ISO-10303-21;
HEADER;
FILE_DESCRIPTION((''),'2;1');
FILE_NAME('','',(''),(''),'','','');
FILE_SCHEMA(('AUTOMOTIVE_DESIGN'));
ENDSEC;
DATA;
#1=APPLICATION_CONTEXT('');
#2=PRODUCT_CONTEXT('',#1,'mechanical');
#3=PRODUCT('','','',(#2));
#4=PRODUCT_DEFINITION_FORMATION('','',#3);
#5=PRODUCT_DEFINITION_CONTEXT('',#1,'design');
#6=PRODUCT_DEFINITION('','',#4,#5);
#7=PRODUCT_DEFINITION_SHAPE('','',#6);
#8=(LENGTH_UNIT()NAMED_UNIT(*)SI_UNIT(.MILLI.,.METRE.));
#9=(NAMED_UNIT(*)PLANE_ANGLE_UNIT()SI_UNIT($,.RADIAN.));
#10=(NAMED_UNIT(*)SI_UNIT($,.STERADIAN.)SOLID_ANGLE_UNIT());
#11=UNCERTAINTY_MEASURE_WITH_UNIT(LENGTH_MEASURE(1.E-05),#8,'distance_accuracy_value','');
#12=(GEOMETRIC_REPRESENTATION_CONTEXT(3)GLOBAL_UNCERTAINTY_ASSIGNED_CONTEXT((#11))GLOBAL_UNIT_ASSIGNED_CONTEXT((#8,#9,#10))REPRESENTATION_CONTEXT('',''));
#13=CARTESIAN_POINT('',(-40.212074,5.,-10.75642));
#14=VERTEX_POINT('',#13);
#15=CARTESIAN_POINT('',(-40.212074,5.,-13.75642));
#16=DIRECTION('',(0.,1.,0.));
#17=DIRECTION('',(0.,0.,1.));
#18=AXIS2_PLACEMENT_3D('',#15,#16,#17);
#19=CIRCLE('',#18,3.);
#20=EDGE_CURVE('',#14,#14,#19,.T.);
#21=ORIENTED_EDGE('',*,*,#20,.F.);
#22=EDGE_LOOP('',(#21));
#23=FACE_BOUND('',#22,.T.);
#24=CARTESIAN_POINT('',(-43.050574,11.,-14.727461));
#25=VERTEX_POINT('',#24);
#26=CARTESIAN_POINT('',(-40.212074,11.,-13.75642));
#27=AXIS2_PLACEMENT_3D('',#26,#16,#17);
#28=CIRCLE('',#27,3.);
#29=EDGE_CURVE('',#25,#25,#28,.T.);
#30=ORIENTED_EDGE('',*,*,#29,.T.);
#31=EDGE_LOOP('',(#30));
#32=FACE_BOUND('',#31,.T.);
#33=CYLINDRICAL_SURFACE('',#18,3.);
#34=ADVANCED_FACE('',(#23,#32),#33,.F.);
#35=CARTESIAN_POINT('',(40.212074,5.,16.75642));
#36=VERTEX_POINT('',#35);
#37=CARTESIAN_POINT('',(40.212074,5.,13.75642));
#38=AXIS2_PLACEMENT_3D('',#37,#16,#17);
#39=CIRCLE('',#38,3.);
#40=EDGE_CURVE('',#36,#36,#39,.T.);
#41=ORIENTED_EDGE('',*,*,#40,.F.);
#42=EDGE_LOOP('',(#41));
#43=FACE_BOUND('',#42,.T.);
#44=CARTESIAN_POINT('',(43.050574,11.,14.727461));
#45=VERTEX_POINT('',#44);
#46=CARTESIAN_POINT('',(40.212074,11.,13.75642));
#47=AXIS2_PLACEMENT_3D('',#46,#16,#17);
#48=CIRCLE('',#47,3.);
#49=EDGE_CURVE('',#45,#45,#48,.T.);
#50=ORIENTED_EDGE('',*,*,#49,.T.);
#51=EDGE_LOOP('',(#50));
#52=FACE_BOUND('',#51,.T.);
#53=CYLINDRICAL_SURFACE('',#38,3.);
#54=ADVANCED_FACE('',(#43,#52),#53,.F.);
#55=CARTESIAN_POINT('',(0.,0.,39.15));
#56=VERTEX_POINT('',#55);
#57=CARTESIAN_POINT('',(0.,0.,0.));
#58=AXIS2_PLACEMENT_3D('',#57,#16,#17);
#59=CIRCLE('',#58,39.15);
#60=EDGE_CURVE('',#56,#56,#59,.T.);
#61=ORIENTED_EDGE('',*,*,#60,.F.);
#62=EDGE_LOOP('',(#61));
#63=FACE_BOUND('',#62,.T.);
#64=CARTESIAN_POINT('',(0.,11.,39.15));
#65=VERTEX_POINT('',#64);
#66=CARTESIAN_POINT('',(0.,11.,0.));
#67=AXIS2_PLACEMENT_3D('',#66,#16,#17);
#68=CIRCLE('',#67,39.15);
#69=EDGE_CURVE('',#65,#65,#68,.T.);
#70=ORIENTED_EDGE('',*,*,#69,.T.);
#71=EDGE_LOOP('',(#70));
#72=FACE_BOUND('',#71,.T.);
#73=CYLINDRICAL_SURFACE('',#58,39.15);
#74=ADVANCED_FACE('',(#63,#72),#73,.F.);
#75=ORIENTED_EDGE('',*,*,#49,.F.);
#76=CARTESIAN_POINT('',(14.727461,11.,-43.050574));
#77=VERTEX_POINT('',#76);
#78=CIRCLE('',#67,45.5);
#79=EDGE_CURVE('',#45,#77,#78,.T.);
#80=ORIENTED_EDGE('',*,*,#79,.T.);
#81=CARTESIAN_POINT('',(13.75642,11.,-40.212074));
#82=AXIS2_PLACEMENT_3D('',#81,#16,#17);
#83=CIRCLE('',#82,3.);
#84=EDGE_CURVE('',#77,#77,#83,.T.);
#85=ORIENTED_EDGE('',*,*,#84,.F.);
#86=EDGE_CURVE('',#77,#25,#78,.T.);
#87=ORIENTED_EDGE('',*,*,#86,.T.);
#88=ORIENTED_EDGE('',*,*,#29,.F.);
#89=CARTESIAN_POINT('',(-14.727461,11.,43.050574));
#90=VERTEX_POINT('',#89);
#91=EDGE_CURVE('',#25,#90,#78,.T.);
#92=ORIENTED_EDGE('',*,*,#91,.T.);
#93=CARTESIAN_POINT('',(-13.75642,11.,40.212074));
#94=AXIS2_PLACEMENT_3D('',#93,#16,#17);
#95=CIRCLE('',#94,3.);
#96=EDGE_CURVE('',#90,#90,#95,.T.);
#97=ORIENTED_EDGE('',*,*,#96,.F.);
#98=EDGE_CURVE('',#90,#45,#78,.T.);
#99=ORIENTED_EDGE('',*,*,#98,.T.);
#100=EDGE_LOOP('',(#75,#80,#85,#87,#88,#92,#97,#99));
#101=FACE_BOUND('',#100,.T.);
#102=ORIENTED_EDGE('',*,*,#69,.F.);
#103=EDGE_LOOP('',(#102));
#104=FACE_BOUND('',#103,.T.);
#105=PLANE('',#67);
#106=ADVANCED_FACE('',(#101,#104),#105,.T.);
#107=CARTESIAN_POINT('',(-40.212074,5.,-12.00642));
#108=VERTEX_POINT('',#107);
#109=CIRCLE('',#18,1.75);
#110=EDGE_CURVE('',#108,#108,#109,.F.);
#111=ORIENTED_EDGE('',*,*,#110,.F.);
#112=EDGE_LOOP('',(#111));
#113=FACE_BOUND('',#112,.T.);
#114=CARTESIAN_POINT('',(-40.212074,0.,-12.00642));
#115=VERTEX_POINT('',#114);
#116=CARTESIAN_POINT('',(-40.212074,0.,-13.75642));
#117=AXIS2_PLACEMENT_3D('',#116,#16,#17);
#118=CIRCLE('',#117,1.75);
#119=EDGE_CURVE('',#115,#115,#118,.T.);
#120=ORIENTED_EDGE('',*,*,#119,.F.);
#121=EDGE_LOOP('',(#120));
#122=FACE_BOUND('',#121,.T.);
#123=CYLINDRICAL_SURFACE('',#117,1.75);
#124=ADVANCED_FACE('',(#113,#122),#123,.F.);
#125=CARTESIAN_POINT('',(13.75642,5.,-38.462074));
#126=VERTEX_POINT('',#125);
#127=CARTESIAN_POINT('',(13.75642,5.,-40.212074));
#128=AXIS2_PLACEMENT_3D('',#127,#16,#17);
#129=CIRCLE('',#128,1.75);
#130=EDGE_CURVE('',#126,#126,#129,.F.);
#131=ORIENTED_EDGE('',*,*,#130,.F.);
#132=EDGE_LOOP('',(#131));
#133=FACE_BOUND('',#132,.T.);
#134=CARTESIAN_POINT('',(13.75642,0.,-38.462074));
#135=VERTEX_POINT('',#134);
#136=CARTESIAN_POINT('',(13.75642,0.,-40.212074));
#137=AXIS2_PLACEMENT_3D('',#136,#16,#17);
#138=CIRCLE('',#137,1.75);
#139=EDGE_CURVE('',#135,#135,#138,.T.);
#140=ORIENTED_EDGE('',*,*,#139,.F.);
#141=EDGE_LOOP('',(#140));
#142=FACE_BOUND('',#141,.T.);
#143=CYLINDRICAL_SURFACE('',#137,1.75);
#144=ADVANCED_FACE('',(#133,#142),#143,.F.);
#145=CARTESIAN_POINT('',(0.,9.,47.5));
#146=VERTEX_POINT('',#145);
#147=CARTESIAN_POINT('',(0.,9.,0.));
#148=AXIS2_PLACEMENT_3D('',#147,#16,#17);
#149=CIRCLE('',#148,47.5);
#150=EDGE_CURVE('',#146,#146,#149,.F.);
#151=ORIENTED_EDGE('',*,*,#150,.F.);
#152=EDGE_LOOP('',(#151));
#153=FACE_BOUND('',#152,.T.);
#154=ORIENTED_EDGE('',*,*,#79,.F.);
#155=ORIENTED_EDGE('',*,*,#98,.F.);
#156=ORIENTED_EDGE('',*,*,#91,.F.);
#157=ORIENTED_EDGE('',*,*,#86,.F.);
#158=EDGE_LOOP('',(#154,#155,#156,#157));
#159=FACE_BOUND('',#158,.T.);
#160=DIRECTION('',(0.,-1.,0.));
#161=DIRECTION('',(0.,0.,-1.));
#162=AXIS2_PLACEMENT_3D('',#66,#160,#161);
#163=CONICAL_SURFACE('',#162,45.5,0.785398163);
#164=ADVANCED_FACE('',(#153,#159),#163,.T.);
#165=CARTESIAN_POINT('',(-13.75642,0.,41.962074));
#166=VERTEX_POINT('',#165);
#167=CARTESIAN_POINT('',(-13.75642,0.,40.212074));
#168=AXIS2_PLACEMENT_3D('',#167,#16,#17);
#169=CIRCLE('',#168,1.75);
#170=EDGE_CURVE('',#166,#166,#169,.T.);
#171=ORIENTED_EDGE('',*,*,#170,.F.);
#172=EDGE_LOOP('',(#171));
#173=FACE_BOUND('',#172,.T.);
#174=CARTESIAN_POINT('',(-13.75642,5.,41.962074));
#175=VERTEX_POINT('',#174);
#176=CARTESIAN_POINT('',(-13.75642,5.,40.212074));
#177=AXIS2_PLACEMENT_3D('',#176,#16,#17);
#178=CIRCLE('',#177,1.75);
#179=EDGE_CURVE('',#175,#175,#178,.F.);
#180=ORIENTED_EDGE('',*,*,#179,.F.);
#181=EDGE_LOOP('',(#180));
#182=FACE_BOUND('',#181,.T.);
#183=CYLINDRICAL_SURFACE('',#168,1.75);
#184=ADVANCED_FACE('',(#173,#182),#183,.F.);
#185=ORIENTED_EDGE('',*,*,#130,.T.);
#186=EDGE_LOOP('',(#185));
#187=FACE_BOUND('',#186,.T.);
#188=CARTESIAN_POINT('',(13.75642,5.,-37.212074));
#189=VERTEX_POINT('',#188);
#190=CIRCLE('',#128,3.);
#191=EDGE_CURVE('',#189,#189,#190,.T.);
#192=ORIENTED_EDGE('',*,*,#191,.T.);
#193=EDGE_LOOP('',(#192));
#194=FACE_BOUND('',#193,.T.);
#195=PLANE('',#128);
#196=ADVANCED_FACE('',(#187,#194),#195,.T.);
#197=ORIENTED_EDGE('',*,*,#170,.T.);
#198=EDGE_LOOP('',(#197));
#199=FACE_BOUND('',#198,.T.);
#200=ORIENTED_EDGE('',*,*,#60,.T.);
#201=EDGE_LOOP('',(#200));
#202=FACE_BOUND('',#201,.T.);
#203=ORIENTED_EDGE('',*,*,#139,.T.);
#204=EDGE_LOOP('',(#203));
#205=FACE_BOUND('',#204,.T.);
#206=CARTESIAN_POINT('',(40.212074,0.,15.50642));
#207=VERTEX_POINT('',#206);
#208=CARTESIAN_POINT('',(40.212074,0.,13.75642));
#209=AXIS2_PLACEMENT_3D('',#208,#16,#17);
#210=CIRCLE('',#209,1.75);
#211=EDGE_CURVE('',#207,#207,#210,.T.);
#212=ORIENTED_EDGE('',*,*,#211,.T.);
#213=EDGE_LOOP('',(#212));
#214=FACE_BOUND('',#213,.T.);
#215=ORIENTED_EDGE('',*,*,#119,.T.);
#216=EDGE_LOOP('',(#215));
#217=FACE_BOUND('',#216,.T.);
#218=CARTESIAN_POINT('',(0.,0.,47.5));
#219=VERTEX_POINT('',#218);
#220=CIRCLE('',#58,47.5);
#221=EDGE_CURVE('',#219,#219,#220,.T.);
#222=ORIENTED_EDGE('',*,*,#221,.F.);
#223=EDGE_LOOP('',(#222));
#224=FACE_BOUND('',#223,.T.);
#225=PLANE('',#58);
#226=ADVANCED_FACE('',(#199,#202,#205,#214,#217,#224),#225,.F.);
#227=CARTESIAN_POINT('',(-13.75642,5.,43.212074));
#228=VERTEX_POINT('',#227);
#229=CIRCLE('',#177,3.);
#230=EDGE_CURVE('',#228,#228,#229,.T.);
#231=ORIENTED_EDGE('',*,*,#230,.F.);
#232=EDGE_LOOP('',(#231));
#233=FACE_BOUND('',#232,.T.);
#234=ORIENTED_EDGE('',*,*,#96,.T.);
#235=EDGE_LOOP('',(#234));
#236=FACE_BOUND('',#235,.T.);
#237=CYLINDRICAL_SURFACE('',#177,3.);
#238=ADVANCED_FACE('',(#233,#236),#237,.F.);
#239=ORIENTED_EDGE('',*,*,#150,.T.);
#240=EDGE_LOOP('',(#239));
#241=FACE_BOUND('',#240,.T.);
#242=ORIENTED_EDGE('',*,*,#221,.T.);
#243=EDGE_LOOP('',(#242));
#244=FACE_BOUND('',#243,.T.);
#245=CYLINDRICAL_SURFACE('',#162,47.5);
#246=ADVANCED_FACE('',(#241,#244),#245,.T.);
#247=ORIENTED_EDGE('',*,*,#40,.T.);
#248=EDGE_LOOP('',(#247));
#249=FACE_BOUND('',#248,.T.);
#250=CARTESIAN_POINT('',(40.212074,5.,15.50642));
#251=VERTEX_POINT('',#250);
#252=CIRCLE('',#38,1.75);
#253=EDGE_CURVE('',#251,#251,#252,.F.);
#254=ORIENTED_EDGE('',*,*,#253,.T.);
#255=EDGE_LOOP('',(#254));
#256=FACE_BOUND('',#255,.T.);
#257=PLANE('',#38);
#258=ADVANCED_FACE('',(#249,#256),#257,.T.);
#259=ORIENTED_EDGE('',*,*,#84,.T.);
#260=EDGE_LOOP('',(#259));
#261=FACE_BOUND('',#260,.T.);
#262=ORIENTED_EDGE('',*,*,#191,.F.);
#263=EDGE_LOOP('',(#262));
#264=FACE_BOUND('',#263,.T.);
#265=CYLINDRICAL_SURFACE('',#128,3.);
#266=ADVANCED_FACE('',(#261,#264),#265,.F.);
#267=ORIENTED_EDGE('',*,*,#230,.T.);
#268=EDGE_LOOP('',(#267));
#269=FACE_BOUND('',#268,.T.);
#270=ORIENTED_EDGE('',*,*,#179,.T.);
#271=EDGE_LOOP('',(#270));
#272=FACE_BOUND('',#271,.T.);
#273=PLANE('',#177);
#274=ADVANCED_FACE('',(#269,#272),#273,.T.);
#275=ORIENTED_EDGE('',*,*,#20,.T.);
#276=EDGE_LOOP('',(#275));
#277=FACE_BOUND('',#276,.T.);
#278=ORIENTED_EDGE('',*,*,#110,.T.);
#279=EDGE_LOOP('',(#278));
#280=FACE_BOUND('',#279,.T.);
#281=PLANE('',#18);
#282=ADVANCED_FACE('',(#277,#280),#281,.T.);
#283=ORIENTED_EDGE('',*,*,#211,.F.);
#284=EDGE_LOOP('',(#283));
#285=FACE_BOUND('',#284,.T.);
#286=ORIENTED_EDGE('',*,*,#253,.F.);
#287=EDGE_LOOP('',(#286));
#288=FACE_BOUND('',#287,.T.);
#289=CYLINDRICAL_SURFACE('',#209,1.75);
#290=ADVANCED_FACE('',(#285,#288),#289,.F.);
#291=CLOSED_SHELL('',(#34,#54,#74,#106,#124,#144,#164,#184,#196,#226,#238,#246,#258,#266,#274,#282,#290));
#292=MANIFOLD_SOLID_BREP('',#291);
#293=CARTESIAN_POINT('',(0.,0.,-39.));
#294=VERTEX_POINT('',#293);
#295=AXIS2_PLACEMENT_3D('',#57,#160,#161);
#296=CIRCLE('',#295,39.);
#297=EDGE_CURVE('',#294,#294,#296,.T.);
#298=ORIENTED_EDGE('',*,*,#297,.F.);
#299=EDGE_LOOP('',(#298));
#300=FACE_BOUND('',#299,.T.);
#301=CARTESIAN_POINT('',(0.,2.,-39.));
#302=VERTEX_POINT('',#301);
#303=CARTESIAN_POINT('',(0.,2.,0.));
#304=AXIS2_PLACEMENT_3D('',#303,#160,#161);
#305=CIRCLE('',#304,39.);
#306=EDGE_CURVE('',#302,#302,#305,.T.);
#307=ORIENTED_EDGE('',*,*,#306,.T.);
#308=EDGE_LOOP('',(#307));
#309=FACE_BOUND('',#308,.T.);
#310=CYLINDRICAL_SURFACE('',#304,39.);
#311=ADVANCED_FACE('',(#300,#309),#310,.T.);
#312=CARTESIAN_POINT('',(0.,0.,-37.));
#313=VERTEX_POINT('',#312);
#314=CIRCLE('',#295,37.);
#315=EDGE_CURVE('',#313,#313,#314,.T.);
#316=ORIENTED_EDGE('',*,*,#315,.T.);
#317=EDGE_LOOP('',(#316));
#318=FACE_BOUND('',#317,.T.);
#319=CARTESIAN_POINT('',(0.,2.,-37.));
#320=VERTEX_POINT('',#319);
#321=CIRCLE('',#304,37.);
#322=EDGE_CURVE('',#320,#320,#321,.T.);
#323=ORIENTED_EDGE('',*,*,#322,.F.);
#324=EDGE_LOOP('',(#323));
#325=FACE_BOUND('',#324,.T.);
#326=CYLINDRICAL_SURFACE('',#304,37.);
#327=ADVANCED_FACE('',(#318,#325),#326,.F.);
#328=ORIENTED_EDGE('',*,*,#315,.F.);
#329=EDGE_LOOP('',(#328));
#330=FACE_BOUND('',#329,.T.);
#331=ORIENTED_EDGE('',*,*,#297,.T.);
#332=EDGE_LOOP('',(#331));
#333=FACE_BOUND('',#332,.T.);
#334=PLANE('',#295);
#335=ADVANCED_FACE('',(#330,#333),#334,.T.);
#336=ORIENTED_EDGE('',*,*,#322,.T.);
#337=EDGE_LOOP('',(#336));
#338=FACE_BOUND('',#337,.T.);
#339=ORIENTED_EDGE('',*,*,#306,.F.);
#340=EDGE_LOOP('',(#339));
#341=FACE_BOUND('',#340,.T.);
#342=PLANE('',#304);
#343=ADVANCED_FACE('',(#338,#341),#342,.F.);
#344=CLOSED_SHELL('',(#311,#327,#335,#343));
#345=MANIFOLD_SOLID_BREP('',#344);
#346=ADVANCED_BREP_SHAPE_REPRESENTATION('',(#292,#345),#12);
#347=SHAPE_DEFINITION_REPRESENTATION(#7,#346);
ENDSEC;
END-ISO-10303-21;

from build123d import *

# Parameters (mm, degrees)
SKETCH1_R           = 47.5
BOSS_EXTRUDE1_DEPTH = 11
SKETCH2_R           = 39.15
CUT_EXTRUDE1_DEPTH  = 69.0698171
CHAMFER1_SIZE       = 2
SKETCH5_R           = 1.75
CUT_EXTRUDE2_DEPTH  = 69.0698171
SKETCH6_R           = 3
CUT_EXTRUDE3_DEPTH  = 6
SKETCH8_R           = 39
SKETCH8_R_2         = 37
BOSS_EXTRUDE2_DEPTH = 2


with BuildPart() as part:
    # Sketch1 → Boss-Extrude1 (new body)
    with BuildSketch(Plane(origin=(0, 0, 0), x_dir=(1, 0, 0), z_dir=(0, 1, 0))):
        with Locations(Location((0, 0, 0), (0, 0, 270))):
            Circle(SKETCH1_R)
    extrude(amount=BOSS_EXTRUDE1_DEPTH)

    # Sketch2 → Cut-Extrude1 (cut, through all)
    with BuildSketch(Plane(origin=(0, 11, 0), x_dir=(1, 0, 0), z_dir=(0, 1, 0))):
        with Locations(Location((0, 0, 0), (0, 0, 270))):
            Circle(SKETCH2_R)
    extrude(amount=-CUT_EXTRUDE1_DEPTH, mode=Mode.SUBTRACT)

    # Chamfer1
    chamfer1_edges = [part.edges().sort_by_distance(p)[0] for p in [
        (0, 11, -47.5),
    ]]
    chamfer(chamfer1_edges, length=CHAMFER1_SIZE)

    # Sketch5 → Cut-Extrude2 (cut, through all)
    with BuildSketch(Plane(origin=(0, 11, 0), x_dir=(1, 0, 0), z_dir=(0, 1, 0))):
        with Locations(Location((13.756419634, 40.212074292, 0), (0, 0, 270))):
            Circle(SKETCH5_R)
        with Locations(Location((40.212074292, -13.756419634, 0), (0, 0, 270))):
            Circle(SKETCH5_R)
        with Locations(Location((-13.756419634, -40.212074292, 0), (0, 0, 270))):
            Circle(SKETCH5_R)
        with Locations(Location((-40.212074292, 13.756419634, 0), (0, 0, 270))):
            Circle(SKETCH5_R)
    extrude(amount=-CUT_EXTRUDE2_DEPTH, mode=Mode.SUBTRACT)

    # Sketch6 → Cut-Extrude3 (cut)
    with BuildSketch(Plane(origin=(0, 11, 0), x_dir=(1, 0, 0), z_dir=(0, 1, 0))):
        with Locations(Location((-13.756419634, -40.212074292, 0), (0, 0, 270))):
            Circle(SKETCH6_R)
        with Locations(Location((13.756419634, 40.212074292, 0), (0, 0, 270))):
            Circle(SKETCH6_R)
        with Locations(Location((40.212074292, -13.756419634, 0), (0, 0, 270))):
            Circle(SKETCH6_R)
        with Locations(Location((-40.212074292, 13.756419634, 0), (0, 0, 270))):
            Circle(SKETCH6_R)
    extrude(amount=-CUT_EXTRUDE3_DEPTH, mode=Mode.SUBTRACT)


with BuildPart() as body_2:
    # Sketch8 → Boss-Extrude2 (new body)
    with BuildSketch(Plane(origin=(0, 0, 0), x_dir=(-1, 0, 0), z_dir=(0, -1, 0))):
        with Locations(Location((0, 0, 0), (0, 0, 90))):
            Circle(SKETCH8_R)
        with Locations(Location((0, 0, 0), (0, 0, 90))):
            Circle(SKETCH8_R_2, mode=Mode.SUBTRACT)
    extrude(amount=-BOSS_EXTRUDE2_DEPTH)


solid = Compound([part.part, body_2.part])
